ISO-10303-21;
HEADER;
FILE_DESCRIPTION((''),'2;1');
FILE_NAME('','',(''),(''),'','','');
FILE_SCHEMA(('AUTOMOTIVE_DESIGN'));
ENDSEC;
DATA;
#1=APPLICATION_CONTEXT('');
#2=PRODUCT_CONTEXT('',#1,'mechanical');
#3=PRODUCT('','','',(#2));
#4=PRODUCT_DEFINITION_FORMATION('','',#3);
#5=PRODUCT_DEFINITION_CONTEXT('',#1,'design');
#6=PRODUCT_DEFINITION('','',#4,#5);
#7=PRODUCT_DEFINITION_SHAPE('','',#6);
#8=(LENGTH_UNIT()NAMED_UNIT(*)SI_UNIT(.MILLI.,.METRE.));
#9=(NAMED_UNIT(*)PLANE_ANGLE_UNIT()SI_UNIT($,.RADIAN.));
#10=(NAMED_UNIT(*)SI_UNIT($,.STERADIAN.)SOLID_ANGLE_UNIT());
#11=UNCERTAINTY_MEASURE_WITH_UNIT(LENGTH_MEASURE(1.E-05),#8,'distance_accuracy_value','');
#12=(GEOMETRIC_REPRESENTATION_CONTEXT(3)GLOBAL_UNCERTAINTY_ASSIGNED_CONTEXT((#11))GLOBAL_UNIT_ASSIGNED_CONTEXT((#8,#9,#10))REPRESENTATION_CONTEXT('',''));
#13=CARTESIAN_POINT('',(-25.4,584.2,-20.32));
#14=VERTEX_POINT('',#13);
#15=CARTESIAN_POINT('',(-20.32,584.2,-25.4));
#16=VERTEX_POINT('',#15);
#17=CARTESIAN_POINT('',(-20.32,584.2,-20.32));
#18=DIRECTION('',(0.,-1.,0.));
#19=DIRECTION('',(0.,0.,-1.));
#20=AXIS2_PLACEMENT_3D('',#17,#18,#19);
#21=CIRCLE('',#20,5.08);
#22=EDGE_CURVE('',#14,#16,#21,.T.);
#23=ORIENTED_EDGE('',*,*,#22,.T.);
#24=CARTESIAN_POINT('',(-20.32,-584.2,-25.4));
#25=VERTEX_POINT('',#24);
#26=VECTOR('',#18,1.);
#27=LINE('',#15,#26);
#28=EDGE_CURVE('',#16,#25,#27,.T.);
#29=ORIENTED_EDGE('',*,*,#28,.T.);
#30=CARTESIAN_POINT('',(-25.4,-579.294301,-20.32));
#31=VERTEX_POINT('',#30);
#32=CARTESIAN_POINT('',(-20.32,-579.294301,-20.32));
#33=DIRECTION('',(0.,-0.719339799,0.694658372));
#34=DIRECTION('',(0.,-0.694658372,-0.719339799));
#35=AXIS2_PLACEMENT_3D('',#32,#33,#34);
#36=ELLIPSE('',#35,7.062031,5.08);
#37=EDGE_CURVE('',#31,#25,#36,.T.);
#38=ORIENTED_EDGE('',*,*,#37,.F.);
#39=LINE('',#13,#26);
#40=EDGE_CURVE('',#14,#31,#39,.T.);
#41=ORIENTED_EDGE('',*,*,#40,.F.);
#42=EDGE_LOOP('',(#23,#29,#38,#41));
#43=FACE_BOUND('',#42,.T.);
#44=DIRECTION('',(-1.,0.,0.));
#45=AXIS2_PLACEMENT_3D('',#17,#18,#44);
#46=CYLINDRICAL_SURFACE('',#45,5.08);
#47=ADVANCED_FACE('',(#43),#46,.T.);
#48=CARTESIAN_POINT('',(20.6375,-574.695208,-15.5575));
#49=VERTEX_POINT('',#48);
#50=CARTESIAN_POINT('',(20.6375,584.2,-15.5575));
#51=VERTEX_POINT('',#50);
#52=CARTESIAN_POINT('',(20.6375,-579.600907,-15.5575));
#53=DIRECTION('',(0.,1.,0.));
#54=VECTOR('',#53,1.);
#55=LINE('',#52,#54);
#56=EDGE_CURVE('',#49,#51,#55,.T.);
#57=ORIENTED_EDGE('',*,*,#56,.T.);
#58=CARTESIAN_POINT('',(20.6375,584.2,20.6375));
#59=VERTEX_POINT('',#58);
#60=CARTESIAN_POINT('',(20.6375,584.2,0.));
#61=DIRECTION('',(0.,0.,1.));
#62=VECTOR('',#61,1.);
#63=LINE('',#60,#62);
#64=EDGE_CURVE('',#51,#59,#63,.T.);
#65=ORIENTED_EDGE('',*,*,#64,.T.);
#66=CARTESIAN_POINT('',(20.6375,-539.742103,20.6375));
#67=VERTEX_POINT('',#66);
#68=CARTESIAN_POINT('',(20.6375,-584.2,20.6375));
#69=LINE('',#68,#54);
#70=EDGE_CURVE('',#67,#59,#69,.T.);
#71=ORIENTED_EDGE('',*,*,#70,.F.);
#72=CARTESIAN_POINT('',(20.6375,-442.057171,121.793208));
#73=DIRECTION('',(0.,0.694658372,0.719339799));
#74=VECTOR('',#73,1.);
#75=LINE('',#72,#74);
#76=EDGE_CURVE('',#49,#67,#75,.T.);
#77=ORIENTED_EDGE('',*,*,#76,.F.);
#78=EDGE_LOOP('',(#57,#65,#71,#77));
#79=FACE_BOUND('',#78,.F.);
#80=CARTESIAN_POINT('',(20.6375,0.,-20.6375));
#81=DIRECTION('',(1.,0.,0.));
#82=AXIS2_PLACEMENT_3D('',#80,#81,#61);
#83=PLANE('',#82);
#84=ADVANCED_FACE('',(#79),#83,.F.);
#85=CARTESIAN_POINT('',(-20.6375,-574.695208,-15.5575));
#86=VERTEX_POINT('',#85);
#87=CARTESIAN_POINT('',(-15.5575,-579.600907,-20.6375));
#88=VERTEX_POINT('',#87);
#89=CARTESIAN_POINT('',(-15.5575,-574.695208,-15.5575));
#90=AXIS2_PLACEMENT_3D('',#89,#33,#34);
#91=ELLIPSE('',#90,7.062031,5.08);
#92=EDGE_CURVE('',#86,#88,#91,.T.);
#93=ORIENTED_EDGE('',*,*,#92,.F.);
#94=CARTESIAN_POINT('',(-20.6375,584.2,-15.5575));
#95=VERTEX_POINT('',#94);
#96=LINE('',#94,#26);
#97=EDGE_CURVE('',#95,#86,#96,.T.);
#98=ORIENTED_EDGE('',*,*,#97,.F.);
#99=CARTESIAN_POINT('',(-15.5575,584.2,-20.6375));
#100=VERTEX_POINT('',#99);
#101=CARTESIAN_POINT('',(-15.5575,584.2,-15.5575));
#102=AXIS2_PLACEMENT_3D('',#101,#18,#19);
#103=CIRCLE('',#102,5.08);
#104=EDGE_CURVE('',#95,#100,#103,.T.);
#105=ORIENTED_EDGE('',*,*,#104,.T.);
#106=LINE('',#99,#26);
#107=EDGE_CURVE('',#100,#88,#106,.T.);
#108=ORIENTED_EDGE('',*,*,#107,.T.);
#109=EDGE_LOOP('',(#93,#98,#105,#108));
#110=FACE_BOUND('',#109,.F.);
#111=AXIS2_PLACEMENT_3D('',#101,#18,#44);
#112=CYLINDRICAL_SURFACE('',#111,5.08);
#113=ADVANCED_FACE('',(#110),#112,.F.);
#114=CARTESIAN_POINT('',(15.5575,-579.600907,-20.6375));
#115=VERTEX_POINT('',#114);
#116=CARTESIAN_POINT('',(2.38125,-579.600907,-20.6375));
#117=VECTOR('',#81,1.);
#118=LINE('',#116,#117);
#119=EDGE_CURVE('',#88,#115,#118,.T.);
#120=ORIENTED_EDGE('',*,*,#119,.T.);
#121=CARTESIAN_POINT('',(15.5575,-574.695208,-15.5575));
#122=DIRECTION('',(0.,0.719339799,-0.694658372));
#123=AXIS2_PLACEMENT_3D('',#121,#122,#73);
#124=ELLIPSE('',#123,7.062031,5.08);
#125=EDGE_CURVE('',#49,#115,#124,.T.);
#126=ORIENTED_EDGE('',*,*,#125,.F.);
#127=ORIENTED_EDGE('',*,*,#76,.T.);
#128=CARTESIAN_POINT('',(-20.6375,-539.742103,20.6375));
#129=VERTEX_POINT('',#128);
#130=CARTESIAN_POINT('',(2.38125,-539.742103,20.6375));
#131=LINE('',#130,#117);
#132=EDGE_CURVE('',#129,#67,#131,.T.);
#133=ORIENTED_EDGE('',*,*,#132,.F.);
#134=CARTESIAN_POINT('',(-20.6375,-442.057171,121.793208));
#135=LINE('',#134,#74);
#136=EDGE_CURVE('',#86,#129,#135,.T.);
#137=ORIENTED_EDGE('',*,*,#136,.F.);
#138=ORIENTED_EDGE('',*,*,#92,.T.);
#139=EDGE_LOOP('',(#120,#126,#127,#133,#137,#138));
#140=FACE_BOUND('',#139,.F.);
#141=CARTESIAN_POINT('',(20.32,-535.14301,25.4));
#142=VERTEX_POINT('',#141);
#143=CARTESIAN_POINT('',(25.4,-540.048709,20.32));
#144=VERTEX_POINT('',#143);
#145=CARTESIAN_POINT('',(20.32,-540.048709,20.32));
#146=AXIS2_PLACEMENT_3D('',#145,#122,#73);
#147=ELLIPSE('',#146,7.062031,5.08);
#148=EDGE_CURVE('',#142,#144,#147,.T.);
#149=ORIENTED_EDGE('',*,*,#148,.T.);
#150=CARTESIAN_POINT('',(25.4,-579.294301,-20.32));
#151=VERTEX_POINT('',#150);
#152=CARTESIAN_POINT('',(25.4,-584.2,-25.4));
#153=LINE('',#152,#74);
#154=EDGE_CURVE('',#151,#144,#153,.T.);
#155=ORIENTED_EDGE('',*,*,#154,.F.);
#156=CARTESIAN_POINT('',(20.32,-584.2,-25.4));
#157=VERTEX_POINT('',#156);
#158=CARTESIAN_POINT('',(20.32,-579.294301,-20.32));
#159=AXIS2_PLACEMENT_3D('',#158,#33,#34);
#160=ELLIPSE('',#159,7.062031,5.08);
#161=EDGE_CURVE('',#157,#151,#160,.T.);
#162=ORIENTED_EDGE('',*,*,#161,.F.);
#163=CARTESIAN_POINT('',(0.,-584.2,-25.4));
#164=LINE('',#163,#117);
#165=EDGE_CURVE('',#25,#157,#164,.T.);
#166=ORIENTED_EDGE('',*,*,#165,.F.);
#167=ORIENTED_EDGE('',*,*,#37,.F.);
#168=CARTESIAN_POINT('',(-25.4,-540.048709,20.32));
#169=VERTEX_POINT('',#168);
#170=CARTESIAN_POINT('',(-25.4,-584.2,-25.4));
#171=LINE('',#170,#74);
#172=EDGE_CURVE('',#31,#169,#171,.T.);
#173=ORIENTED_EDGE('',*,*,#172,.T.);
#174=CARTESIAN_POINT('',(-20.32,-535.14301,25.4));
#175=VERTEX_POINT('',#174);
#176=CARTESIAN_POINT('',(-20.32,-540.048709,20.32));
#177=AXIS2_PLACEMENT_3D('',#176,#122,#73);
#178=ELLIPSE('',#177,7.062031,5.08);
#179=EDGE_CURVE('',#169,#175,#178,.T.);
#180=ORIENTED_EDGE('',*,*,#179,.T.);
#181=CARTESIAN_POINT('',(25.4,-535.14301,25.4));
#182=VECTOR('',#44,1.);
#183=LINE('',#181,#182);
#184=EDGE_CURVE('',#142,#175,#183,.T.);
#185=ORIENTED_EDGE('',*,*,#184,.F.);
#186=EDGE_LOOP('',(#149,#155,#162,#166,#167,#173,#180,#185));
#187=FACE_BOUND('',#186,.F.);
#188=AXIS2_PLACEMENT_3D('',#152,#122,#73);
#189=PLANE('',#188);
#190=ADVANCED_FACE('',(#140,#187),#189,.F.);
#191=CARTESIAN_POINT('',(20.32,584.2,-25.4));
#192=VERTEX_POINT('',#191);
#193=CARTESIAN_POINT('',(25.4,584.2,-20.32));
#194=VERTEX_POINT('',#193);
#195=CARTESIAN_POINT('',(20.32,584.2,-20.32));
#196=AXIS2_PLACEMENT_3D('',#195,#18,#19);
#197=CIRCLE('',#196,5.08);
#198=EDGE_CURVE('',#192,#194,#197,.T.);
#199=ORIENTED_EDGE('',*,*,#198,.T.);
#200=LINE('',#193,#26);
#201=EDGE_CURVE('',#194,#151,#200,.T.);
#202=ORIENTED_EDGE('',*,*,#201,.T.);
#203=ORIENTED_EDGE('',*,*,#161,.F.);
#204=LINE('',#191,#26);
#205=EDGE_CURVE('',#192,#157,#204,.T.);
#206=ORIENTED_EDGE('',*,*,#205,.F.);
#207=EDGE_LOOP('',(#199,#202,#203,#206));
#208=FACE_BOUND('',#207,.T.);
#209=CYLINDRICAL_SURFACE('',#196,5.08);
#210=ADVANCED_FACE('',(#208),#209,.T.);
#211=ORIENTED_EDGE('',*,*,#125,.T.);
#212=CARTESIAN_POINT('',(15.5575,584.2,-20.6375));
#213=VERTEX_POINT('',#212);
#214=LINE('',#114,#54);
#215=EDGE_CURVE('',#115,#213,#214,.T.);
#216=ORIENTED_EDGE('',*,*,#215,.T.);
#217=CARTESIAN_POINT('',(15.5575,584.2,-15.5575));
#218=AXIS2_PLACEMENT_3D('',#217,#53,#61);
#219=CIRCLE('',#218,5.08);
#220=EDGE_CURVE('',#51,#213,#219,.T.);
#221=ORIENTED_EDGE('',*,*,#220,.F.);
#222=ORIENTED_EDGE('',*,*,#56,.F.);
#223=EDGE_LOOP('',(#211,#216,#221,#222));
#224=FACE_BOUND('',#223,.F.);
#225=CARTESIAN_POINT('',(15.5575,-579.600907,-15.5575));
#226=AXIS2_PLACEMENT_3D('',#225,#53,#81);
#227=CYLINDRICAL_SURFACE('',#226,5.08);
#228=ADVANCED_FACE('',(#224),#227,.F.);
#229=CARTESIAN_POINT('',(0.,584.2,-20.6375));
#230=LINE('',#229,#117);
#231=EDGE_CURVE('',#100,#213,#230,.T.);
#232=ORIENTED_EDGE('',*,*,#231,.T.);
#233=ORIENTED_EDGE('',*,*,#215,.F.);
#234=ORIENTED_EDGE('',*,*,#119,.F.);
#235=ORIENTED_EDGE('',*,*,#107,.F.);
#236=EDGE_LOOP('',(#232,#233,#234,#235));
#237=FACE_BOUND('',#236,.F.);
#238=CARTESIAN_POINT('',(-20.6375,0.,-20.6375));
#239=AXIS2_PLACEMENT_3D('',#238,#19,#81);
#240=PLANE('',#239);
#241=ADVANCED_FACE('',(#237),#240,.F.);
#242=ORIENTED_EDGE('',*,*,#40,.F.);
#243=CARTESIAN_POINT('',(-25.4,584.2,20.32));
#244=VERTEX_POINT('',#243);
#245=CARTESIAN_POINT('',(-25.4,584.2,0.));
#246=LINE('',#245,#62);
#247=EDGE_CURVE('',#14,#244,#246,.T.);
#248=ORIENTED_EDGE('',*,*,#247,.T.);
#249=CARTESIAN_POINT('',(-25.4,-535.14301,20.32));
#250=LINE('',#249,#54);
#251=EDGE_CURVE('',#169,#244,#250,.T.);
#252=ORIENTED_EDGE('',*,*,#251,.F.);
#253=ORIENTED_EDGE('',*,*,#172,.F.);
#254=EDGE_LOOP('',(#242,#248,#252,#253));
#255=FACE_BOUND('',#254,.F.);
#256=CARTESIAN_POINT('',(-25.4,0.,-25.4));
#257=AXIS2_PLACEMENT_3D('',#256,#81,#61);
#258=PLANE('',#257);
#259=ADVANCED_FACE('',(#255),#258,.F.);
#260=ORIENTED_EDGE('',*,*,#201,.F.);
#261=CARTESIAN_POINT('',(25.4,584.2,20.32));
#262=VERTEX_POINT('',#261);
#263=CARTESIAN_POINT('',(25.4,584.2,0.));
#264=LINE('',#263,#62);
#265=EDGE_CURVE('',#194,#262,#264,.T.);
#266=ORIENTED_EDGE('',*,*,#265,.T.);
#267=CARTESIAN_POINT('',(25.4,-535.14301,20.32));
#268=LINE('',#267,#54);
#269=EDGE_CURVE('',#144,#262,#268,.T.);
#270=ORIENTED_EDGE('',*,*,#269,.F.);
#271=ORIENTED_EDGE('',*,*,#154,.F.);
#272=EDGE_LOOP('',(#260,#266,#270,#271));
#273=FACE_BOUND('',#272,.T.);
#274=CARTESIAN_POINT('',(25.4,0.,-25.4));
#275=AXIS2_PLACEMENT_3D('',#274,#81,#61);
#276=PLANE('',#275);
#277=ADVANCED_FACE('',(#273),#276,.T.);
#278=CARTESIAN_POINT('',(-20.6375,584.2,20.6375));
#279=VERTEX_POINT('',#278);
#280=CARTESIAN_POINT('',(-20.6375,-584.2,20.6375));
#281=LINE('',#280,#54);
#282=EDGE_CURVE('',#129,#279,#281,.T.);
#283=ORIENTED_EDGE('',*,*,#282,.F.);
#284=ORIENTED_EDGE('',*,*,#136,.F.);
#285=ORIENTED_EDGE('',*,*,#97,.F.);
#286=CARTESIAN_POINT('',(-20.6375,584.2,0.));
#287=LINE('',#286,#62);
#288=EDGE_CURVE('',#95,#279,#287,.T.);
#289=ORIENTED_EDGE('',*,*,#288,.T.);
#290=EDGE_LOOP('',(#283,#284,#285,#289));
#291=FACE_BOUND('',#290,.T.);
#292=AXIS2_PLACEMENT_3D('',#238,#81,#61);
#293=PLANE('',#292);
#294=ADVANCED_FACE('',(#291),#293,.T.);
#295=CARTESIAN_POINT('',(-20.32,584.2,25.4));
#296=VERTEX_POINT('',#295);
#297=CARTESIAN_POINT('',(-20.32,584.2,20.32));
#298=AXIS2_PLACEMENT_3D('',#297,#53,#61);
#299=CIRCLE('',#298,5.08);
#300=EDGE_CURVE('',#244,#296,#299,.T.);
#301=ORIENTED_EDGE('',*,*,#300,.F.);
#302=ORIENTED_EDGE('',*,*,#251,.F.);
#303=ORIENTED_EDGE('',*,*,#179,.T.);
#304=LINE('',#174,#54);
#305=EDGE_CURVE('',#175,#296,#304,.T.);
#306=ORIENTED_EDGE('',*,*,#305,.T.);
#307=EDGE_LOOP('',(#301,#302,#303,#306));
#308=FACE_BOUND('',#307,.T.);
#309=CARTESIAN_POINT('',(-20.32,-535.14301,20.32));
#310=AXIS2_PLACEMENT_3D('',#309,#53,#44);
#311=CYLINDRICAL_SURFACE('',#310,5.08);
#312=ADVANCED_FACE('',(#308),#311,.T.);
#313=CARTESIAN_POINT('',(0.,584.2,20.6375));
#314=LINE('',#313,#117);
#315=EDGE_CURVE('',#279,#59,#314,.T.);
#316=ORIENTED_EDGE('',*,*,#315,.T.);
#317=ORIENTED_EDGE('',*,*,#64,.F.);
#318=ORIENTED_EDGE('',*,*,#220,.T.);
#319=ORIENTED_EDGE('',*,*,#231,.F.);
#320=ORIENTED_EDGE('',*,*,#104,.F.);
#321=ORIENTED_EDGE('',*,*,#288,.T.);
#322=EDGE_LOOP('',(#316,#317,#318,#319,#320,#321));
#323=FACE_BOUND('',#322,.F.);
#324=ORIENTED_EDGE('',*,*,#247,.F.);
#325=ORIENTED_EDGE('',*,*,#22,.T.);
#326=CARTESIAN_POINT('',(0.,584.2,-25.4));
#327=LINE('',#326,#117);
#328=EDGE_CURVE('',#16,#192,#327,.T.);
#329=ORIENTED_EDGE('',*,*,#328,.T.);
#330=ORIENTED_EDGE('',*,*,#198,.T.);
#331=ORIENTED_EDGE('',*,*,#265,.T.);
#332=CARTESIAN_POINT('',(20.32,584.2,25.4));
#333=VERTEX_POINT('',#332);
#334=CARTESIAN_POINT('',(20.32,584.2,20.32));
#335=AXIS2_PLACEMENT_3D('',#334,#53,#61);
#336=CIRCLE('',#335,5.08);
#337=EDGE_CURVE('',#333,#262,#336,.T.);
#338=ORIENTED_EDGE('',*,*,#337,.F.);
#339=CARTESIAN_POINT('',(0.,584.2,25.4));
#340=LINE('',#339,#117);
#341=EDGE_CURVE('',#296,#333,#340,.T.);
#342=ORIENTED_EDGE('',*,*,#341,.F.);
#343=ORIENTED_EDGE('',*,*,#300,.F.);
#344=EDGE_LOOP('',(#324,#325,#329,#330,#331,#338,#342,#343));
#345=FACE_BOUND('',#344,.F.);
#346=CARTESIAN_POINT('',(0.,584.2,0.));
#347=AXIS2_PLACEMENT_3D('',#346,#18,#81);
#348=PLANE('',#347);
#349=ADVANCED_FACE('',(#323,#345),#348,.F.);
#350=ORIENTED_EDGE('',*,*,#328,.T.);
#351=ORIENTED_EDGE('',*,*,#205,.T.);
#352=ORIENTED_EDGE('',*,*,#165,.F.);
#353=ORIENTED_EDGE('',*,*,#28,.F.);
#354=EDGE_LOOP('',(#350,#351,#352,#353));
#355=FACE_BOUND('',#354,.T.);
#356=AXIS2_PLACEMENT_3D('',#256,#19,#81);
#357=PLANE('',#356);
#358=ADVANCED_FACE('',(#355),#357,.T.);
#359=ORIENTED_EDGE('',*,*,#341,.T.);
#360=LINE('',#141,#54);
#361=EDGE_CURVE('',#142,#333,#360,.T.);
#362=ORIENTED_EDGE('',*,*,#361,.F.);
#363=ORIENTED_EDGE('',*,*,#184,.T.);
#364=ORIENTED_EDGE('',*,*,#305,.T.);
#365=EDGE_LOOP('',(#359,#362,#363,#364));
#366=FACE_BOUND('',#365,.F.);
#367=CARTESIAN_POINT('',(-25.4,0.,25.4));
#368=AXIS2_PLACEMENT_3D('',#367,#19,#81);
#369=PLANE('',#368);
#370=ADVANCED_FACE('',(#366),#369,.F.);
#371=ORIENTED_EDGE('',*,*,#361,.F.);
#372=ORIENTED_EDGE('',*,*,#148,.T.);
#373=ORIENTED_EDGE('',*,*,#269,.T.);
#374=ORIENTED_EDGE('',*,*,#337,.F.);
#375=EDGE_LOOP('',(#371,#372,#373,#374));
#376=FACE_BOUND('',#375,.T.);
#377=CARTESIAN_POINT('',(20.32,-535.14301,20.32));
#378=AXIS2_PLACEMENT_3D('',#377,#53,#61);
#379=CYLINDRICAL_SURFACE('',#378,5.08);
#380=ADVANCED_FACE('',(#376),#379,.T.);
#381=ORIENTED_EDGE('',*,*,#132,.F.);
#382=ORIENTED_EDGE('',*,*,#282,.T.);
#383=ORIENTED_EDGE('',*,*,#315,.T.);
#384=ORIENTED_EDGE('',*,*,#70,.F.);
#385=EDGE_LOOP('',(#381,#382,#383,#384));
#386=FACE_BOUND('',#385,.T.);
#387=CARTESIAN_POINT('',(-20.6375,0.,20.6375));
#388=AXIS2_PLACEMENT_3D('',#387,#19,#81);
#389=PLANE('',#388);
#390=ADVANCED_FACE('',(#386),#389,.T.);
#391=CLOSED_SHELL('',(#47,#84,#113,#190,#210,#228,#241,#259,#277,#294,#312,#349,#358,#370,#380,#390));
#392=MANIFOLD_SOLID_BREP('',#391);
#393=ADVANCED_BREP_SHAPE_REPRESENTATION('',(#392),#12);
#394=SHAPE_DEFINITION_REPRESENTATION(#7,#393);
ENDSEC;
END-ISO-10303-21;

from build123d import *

# Parameters (mm, degrees)
F0_W     = 50.8
F0_H     = 50.8
F0_W_2   = 41.275
F0_H_2   = 41.275
F1_DEPTH = 584.2
F3_DEPTH = 50.8
F4_R     = 5.08


with BuildPart() as f1:
    # F0 (on Front) → F1 (new body, symmetric)
    with BuildSketch(Plane.XZ):
        Rectangle(F0_W, F0_H)
        Rectangle(F0_W_2, F0_H_2, mode=Mode.SUBTRACT)
    extrude(amount=F1_DEPTH, both=True)

    # F2 (on face) → F3 (cut)
    with BuildSketch(Plane.YZ.offset(25.4)):
        Polygon((-584.2, 25.4), (-584.2, -25.4), (-535.14301, 25.4), align=None)
    extrude(amount=-F3_DEPTH, mode=Mode.SUBTRACT)

    # F4
    f4_edges = [f1.edges().sort_by_distance(p)[0] for p in [
        (-25.4, 24.528495, 25.4),
        (25.4, 24.528495, 25.4),
        (20.6375, 2.299546, -20.6375),
        (-20.6375, 2.299546, -20.6375),
        (-25.4, 0, -25.4),
        (25.4, 0, -25.4),
    ]]
    fillet(f4_edges, radius=F4_R)


solid = f1.part
